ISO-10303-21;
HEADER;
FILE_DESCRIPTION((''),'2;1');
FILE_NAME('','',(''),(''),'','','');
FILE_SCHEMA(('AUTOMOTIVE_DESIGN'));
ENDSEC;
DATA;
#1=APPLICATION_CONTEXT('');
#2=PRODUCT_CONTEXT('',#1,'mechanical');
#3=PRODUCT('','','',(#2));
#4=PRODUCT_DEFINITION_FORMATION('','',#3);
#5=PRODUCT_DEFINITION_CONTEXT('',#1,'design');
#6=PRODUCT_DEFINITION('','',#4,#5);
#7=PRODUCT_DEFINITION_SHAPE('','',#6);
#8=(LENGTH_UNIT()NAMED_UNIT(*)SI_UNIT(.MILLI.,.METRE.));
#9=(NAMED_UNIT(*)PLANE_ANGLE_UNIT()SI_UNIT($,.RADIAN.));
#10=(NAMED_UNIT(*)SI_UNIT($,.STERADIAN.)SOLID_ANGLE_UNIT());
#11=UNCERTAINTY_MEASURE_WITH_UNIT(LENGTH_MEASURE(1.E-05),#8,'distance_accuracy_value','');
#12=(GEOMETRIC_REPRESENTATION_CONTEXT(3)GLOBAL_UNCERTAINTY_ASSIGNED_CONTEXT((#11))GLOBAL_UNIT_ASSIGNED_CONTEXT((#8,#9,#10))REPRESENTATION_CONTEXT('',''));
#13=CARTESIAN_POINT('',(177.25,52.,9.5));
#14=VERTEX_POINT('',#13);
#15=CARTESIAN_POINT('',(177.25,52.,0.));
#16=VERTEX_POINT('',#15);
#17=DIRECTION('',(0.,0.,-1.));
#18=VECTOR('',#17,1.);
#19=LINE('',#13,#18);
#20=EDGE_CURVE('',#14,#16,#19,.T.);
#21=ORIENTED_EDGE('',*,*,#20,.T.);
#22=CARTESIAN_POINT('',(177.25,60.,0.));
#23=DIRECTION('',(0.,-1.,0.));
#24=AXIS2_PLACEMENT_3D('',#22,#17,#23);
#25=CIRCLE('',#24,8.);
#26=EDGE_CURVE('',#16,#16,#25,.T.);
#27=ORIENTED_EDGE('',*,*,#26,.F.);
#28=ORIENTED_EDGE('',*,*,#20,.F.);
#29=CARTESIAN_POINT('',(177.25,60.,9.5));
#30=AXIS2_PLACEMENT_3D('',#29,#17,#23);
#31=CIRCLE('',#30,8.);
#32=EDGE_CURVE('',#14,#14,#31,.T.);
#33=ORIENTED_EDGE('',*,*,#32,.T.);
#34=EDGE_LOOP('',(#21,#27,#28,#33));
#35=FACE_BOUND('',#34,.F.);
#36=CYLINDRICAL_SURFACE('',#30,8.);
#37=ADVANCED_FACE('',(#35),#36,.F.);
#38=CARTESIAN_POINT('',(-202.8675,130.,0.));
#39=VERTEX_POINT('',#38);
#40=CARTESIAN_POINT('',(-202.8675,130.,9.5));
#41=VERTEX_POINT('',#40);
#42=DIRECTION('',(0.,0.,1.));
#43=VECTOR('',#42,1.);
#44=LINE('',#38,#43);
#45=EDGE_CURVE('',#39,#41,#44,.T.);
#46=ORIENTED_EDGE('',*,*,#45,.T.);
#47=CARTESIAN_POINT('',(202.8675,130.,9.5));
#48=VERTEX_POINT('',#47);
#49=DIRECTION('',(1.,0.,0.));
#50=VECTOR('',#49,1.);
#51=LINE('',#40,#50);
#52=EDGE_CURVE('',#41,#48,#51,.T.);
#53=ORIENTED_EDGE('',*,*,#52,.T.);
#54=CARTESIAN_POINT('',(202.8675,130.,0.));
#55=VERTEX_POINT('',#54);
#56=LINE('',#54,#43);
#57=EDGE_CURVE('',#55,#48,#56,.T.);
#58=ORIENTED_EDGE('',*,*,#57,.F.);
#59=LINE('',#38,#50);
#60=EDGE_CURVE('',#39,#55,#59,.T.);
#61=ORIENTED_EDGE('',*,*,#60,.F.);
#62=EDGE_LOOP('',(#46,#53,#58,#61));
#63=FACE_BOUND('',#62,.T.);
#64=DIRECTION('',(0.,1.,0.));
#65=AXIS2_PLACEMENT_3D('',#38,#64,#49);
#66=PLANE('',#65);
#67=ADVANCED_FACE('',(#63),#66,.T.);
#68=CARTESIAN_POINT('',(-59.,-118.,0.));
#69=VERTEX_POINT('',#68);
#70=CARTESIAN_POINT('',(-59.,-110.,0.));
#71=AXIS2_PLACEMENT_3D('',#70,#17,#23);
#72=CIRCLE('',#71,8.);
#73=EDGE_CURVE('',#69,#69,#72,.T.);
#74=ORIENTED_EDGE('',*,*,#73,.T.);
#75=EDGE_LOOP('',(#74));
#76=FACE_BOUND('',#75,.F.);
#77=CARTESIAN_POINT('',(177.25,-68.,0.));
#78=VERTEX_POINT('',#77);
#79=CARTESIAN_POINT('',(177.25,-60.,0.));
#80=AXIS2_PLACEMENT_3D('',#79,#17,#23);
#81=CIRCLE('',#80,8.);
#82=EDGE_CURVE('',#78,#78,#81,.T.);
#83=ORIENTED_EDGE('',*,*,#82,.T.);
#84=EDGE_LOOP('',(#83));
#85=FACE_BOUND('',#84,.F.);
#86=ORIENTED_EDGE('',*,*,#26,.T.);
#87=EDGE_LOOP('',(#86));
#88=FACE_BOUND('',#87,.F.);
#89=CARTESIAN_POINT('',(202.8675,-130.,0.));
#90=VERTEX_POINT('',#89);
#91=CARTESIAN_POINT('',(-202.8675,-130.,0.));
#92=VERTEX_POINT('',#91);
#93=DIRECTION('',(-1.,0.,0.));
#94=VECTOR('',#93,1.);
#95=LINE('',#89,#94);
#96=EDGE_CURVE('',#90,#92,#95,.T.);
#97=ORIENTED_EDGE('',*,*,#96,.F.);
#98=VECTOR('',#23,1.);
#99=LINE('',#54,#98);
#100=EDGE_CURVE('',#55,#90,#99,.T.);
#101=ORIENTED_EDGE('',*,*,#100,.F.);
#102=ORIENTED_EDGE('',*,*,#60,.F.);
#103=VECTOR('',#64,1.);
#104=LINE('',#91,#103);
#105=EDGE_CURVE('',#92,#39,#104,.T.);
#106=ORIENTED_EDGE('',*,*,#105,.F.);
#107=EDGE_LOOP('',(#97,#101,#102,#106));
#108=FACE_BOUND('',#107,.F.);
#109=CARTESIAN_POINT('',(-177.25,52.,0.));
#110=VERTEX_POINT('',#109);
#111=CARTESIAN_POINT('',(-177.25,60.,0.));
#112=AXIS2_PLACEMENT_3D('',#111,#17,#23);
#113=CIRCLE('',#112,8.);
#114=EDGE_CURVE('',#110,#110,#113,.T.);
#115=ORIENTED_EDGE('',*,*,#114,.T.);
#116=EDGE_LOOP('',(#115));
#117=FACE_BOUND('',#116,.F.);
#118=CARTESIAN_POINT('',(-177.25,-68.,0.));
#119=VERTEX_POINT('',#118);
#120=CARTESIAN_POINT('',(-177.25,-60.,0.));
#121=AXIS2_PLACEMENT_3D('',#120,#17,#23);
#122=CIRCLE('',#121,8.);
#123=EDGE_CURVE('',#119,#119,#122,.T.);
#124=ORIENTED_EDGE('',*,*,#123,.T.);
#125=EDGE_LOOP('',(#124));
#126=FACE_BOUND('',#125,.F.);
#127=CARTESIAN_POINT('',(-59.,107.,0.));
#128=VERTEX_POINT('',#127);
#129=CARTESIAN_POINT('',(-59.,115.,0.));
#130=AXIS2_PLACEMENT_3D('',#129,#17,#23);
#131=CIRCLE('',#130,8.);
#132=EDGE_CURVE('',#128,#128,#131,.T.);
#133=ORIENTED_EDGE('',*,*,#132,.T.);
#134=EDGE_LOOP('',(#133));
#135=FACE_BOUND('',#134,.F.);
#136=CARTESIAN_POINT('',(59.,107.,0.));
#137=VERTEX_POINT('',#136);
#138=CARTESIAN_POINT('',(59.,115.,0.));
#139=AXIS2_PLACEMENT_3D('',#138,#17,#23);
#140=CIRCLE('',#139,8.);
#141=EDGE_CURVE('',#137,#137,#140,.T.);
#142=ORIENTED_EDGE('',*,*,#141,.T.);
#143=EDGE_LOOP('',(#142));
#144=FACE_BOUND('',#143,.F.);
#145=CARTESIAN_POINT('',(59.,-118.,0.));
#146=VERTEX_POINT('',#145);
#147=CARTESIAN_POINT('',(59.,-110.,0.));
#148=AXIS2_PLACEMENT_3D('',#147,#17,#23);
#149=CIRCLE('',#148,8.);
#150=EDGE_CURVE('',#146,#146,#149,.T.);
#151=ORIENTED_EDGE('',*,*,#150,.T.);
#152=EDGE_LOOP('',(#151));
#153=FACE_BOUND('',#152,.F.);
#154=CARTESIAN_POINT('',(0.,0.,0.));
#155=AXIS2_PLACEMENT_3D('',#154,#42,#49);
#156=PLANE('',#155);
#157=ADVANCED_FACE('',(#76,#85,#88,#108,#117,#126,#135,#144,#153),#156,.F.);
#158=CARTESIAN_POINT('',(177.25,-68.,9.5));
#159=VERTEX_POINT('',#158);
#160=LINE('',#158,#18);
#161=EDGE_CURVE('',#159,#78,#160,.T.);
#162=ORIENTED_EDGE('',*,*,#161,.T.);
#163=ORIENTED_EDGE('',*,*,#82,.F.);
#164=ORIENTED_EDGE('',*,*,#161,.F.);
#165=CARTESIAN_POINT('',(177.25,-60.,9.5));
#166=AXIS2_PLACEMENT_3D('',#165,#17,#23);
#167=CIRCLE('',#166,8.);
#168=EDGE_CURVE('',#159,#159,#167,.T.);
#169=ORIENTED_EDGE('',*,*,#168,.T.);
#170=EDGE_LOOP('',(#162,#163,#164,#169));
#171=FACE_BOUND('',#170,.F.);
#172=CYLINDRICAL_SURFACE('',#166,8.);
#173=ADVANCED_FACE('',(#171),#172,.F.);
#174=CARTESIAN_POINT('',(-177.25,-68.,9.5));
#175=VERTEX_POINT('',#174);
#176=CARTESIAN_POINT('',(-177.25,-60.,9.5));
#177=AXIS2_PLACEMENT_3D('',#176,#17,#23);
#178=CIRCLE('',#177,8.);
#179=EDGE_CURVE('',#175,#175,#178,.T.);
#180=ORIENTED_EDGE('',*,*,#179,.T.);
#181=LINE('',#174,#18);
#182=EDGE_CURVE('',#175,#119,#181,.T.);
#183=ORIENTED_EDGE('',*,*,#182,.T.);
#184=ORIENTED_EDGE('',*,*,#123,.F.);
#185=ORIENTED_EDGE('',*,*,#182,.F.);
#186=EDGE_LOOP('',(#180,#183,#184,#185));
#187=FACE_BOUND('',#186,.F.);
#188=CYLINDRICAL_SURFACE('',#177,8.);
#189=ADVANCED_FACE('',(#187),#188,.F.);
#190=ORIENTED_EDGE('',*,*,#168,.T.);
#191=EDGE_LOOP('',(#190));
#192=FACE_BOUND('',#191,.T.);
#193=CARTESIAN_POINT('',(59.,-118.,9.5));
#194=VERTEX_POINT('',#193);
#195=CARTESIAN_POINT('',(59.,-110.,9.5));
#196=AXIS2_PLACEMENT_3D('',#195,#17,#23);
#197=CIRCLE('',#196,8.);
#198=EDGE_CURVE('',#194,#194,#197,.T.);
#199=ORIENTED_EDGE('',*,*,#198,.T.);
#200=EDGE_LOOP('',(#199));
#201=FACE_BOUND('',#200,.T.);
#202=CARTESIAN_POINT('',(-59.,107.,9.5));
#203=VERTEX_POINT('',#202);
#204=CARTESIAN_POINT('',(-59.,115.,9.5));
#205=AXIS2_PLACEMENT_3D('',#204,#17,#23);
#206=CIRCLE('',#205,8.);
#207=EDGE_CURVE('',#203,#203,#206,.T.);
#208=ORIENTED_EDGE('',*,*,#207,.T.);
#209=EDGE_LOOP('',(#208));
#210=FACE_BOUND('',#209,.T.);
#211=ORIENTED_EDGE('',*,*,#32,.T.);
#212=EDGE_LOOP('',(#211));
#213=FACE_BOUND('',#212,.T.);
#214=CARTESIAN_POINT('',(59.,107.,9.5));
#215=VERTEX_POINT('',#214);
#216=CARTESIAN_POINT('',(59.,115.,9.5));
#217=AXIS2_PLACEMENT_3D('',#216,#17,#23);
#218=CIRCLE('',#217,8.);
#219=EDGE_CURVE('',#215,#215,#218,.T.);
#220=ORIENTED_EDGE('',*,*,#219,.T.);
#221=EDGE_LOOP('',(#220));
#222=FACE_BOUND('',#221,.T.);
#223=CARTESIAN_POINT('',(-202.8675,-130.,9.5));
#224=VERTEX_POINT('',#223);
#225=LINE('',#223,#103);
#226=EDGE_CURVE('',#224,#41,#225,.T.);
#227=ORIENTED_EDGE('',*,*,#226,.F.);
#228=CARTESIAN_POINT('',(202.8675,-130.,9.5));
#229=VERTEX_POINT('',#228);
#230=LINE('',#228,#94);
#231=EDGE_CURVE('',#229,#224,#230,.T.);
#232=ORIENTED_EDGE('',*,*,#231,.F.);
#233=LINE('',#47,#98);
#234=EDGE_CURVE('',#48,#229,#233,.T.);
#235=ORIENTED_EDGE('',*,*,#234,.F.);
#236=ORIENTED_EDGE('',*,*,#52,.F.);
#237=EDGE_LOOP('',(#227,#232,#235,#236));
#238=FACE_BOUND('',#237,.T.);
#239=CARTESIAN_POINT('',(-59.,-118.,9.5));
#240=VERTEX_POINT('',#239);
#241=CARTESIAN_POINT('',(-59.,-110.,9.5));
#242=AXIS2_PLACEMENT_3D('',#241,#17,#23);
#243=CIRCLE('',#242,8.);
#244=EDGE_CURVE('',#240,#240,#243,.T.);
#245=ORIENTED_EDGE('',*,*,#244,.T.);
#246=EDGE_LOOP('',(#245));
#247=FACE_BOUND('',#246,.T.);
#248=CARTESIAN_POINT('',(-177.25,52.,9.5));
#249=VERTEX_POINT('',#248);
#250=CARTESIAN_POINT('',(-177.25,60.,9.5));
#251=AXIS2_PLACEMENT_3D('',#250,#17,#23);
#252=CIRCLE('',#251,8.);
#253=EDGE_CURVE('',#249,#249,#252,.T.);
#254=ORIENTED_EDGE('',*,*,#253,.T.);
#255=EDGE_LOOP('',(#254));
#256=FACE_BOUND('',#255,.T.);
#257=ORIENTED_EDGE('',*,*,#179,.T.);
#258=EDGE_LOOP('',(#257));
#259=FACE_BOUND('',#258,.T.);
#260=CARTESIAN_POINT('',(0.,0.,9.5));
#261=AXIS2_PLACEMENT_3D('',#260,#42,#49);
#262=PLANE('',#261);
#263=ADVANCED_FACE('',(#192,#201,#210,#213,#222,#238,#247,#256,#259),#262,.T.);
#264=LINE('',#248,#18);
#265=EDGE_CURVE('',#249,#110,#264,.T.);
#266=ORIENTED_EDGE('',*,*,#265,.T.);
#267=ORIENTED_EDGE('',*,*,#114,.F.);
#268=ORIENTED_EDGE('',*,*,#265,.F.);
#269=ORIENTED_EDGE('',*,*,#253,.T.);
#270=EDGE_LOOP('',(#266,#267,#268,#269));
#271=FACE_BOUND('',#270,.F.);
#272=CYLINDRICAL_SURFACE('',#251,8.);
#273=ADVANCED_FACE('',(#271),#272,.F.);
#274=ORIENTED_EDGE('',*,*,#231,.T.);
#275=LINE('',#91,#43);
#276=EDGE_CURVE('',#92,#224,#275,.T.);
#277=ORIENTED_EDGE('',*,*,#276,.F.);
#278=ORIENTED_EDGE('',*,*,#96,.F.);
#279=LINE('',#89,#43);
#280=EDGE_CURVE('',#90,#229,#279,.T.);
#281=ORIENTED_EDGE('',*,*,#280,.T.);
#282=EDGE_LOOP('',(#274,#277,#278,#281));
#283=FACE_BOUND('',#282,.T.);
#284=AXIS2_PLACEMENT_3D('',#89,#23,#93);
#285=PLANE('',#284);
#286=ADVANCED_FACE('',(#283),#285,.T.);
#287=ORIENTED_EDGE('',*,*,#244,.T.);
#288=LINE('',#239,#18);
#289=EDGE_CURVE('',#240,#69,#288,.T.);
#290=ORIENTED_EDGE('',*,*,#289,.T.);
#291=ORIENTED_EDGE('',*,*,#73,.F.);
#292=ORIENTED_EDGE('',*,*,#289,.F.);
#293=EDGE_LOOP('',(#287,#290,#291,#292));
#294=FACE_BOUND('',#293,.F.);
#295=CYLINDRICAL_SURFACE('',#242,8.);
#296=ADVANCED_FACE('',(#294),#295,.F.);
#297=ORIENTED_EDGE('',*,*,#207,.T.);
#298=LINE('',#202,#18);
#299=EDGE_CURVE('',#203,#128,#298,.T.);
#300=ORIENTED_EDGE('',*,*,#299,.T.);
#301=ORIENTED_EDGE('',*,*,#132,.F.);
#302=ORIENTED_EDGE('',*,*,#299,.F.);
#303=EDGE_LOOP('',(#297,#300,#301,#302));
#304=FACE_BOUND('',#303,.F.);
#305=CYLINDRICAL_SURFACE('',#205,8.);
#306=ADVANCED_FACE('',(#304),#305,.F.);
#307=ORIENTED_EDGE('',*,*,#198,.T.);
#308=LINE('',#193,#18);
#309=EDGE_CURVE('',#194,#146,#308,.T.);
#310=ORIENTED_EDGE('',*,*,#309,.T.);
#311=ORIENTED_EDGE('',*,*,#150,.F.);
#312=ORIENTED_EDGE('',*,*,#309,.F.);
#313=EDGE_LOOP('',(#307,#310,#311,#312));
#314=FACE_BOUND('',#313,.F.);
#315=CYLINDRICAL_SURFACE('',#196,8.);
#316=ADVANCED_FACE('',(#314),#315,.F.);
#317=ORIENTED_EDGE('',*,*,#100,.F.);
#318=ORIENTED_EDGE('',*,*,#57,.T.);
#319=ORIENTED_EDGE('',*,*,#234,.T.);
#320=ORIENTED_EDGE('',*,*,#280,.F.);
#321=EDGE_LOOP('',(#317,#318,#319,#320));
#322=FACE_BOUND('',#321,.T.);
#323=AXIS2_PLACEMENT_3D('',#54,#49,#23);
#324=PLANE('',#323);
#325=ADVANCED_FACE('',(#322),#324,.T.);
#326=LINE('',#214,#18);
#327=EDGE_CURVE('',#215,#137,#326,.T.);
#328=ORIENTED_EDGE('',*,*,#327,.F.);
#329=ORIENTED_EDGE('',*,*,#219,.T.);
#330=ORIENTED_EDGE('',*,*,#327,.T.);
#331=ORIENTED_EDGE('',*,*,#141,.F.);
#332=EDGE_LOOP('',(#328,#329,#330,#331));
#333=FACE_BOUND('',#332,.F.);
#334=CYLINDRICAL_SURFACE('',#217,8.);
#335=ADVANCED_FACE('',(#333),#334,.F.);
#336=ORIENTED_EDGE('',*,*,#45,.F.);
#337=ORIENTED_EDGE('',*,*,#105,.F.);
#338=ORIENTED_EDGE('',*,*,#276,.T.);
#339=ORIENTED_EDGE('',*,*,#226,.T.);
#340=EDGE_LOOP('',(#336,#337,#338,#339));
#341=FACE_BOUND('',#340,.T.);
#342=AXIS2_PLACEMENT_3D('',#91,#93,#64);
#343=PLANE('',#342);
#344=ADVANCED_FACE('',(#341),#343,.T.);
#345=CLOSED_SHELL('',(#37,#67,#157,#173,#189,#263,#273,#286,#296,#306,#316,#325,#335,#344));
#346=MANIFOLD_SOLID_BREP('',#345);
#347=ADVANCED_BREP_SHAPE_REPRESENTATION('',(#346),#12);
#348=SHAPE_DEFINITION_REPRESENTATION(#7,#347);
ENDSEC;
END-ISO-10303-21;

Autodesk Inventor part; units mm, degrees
ref_plane "YZ Plane" through (0, 0, 0) normal (1, 0, 0) x (0, 1, 0)
ref_plane "XZ Plane" through (0, 0, 0) normal (0, 1, 0) x (-1, 0, 0)
ref_plane "XY Plane" through (0, 0, 0) normal (0, 0, 1) x (1, 0, 0)
sketch "Sketch1" plane through (0, 0, 0) normal (0, 0, 1) x (1, 0, 0)
  line L0 (-202.8675, 130) -> (202.8675, 130)
  line L1 (202.8675, 130) -> (202.8675, -130)
  line L2 (202.8675, -130) -> (-202.8675, -130)
  line L3 (-202.8675, -130) -> (-202.8675, 130)
  point P0 (0, 0)
  dimension "d0" = 405.735
  dimension "d1" = 260
  dimension "d2" = 130
  dimension "d3" = 202.8675
extrude "Plate1" add sketch "Sketch1" along normal blind 9.5
sketch "Sketch2" plane through (0, 0, 9.5) normal (0, 0, 1) x (1, 0, 0)
  line L0 (-59, 115) -> (59, 115)
  line L1 (59, 115) -> (59, -110)
  line L2 (59, -110) -> (-59, -110)
  line L3 (-59, -110) -> (-59, 115)
  line L4 (-202.8675, -130) -> (-202.8675, 130) projected
  line L5 (202.8675, -130) -> (-202.8675, -130) projected
  line L6 (-177.25, 60) -> (177.25, 60)
  line L7 (177.25, 60) -> (177.25, -60)
  line L8 (177.25, -60) -> (-177.25, -60)
  line L9 (-177.25, -60) -> (-177.25, 60)
  line L10 (202.8675, 130) -> (202.8675, -130) projected
  point P0 (0, 0)
  dimension "d5" = 118
  dimension "d7" = 225
  dimension "d8" = 20
  dimension "d17" = 120
  dimension "d18" = 60
  dimension "d21" = 118.25
  dimension "d22" = 118.25
  dimension "d23" = 59
hole "Hole1" at (-59, -110, 9.5) at (-59, 115, 9.5) at (59, 115, 9.5) at (59, -110, 9.5) at (-177.25, 60, 9.5) at (-177.25, -60, 9.5) at (177.25, 60, 9.5) at (177.25, -60, 9.5) direction (0, 0, -1) diameter 16 depth 9.5
equation "\"d18\" = 0.5 * d17"
equation "\"d23\" = 0.5 * d5"
equation "\"d14\" = Thickness"
equation "\"d4\" = Thickness"
equation "\"d2\" = 0.5 * d1"
equation "\"d3\" = 0.5 * d0"
equation "\"BendRadius\" = Thickness"
equation "\"BendReliefWidth\" = Thickness"
equation "\"BendReliefDepth\" = 0.5 * Thickness"
equation "\"CornerReliefSize\" = 4 * Thickness"
equation "\"MinimumRemnant\" = 2 * Thickness"
equation "\"TransitionRadius\" = BendRadius"
equation "\"JacobiRadiusSize\" = BendRadius"
equation "\"GapSize\" = Thickness"
equation "\"Thickness\" = 9.5"
properties part number "PlacaReductor" material "Steel ASTM A36"
